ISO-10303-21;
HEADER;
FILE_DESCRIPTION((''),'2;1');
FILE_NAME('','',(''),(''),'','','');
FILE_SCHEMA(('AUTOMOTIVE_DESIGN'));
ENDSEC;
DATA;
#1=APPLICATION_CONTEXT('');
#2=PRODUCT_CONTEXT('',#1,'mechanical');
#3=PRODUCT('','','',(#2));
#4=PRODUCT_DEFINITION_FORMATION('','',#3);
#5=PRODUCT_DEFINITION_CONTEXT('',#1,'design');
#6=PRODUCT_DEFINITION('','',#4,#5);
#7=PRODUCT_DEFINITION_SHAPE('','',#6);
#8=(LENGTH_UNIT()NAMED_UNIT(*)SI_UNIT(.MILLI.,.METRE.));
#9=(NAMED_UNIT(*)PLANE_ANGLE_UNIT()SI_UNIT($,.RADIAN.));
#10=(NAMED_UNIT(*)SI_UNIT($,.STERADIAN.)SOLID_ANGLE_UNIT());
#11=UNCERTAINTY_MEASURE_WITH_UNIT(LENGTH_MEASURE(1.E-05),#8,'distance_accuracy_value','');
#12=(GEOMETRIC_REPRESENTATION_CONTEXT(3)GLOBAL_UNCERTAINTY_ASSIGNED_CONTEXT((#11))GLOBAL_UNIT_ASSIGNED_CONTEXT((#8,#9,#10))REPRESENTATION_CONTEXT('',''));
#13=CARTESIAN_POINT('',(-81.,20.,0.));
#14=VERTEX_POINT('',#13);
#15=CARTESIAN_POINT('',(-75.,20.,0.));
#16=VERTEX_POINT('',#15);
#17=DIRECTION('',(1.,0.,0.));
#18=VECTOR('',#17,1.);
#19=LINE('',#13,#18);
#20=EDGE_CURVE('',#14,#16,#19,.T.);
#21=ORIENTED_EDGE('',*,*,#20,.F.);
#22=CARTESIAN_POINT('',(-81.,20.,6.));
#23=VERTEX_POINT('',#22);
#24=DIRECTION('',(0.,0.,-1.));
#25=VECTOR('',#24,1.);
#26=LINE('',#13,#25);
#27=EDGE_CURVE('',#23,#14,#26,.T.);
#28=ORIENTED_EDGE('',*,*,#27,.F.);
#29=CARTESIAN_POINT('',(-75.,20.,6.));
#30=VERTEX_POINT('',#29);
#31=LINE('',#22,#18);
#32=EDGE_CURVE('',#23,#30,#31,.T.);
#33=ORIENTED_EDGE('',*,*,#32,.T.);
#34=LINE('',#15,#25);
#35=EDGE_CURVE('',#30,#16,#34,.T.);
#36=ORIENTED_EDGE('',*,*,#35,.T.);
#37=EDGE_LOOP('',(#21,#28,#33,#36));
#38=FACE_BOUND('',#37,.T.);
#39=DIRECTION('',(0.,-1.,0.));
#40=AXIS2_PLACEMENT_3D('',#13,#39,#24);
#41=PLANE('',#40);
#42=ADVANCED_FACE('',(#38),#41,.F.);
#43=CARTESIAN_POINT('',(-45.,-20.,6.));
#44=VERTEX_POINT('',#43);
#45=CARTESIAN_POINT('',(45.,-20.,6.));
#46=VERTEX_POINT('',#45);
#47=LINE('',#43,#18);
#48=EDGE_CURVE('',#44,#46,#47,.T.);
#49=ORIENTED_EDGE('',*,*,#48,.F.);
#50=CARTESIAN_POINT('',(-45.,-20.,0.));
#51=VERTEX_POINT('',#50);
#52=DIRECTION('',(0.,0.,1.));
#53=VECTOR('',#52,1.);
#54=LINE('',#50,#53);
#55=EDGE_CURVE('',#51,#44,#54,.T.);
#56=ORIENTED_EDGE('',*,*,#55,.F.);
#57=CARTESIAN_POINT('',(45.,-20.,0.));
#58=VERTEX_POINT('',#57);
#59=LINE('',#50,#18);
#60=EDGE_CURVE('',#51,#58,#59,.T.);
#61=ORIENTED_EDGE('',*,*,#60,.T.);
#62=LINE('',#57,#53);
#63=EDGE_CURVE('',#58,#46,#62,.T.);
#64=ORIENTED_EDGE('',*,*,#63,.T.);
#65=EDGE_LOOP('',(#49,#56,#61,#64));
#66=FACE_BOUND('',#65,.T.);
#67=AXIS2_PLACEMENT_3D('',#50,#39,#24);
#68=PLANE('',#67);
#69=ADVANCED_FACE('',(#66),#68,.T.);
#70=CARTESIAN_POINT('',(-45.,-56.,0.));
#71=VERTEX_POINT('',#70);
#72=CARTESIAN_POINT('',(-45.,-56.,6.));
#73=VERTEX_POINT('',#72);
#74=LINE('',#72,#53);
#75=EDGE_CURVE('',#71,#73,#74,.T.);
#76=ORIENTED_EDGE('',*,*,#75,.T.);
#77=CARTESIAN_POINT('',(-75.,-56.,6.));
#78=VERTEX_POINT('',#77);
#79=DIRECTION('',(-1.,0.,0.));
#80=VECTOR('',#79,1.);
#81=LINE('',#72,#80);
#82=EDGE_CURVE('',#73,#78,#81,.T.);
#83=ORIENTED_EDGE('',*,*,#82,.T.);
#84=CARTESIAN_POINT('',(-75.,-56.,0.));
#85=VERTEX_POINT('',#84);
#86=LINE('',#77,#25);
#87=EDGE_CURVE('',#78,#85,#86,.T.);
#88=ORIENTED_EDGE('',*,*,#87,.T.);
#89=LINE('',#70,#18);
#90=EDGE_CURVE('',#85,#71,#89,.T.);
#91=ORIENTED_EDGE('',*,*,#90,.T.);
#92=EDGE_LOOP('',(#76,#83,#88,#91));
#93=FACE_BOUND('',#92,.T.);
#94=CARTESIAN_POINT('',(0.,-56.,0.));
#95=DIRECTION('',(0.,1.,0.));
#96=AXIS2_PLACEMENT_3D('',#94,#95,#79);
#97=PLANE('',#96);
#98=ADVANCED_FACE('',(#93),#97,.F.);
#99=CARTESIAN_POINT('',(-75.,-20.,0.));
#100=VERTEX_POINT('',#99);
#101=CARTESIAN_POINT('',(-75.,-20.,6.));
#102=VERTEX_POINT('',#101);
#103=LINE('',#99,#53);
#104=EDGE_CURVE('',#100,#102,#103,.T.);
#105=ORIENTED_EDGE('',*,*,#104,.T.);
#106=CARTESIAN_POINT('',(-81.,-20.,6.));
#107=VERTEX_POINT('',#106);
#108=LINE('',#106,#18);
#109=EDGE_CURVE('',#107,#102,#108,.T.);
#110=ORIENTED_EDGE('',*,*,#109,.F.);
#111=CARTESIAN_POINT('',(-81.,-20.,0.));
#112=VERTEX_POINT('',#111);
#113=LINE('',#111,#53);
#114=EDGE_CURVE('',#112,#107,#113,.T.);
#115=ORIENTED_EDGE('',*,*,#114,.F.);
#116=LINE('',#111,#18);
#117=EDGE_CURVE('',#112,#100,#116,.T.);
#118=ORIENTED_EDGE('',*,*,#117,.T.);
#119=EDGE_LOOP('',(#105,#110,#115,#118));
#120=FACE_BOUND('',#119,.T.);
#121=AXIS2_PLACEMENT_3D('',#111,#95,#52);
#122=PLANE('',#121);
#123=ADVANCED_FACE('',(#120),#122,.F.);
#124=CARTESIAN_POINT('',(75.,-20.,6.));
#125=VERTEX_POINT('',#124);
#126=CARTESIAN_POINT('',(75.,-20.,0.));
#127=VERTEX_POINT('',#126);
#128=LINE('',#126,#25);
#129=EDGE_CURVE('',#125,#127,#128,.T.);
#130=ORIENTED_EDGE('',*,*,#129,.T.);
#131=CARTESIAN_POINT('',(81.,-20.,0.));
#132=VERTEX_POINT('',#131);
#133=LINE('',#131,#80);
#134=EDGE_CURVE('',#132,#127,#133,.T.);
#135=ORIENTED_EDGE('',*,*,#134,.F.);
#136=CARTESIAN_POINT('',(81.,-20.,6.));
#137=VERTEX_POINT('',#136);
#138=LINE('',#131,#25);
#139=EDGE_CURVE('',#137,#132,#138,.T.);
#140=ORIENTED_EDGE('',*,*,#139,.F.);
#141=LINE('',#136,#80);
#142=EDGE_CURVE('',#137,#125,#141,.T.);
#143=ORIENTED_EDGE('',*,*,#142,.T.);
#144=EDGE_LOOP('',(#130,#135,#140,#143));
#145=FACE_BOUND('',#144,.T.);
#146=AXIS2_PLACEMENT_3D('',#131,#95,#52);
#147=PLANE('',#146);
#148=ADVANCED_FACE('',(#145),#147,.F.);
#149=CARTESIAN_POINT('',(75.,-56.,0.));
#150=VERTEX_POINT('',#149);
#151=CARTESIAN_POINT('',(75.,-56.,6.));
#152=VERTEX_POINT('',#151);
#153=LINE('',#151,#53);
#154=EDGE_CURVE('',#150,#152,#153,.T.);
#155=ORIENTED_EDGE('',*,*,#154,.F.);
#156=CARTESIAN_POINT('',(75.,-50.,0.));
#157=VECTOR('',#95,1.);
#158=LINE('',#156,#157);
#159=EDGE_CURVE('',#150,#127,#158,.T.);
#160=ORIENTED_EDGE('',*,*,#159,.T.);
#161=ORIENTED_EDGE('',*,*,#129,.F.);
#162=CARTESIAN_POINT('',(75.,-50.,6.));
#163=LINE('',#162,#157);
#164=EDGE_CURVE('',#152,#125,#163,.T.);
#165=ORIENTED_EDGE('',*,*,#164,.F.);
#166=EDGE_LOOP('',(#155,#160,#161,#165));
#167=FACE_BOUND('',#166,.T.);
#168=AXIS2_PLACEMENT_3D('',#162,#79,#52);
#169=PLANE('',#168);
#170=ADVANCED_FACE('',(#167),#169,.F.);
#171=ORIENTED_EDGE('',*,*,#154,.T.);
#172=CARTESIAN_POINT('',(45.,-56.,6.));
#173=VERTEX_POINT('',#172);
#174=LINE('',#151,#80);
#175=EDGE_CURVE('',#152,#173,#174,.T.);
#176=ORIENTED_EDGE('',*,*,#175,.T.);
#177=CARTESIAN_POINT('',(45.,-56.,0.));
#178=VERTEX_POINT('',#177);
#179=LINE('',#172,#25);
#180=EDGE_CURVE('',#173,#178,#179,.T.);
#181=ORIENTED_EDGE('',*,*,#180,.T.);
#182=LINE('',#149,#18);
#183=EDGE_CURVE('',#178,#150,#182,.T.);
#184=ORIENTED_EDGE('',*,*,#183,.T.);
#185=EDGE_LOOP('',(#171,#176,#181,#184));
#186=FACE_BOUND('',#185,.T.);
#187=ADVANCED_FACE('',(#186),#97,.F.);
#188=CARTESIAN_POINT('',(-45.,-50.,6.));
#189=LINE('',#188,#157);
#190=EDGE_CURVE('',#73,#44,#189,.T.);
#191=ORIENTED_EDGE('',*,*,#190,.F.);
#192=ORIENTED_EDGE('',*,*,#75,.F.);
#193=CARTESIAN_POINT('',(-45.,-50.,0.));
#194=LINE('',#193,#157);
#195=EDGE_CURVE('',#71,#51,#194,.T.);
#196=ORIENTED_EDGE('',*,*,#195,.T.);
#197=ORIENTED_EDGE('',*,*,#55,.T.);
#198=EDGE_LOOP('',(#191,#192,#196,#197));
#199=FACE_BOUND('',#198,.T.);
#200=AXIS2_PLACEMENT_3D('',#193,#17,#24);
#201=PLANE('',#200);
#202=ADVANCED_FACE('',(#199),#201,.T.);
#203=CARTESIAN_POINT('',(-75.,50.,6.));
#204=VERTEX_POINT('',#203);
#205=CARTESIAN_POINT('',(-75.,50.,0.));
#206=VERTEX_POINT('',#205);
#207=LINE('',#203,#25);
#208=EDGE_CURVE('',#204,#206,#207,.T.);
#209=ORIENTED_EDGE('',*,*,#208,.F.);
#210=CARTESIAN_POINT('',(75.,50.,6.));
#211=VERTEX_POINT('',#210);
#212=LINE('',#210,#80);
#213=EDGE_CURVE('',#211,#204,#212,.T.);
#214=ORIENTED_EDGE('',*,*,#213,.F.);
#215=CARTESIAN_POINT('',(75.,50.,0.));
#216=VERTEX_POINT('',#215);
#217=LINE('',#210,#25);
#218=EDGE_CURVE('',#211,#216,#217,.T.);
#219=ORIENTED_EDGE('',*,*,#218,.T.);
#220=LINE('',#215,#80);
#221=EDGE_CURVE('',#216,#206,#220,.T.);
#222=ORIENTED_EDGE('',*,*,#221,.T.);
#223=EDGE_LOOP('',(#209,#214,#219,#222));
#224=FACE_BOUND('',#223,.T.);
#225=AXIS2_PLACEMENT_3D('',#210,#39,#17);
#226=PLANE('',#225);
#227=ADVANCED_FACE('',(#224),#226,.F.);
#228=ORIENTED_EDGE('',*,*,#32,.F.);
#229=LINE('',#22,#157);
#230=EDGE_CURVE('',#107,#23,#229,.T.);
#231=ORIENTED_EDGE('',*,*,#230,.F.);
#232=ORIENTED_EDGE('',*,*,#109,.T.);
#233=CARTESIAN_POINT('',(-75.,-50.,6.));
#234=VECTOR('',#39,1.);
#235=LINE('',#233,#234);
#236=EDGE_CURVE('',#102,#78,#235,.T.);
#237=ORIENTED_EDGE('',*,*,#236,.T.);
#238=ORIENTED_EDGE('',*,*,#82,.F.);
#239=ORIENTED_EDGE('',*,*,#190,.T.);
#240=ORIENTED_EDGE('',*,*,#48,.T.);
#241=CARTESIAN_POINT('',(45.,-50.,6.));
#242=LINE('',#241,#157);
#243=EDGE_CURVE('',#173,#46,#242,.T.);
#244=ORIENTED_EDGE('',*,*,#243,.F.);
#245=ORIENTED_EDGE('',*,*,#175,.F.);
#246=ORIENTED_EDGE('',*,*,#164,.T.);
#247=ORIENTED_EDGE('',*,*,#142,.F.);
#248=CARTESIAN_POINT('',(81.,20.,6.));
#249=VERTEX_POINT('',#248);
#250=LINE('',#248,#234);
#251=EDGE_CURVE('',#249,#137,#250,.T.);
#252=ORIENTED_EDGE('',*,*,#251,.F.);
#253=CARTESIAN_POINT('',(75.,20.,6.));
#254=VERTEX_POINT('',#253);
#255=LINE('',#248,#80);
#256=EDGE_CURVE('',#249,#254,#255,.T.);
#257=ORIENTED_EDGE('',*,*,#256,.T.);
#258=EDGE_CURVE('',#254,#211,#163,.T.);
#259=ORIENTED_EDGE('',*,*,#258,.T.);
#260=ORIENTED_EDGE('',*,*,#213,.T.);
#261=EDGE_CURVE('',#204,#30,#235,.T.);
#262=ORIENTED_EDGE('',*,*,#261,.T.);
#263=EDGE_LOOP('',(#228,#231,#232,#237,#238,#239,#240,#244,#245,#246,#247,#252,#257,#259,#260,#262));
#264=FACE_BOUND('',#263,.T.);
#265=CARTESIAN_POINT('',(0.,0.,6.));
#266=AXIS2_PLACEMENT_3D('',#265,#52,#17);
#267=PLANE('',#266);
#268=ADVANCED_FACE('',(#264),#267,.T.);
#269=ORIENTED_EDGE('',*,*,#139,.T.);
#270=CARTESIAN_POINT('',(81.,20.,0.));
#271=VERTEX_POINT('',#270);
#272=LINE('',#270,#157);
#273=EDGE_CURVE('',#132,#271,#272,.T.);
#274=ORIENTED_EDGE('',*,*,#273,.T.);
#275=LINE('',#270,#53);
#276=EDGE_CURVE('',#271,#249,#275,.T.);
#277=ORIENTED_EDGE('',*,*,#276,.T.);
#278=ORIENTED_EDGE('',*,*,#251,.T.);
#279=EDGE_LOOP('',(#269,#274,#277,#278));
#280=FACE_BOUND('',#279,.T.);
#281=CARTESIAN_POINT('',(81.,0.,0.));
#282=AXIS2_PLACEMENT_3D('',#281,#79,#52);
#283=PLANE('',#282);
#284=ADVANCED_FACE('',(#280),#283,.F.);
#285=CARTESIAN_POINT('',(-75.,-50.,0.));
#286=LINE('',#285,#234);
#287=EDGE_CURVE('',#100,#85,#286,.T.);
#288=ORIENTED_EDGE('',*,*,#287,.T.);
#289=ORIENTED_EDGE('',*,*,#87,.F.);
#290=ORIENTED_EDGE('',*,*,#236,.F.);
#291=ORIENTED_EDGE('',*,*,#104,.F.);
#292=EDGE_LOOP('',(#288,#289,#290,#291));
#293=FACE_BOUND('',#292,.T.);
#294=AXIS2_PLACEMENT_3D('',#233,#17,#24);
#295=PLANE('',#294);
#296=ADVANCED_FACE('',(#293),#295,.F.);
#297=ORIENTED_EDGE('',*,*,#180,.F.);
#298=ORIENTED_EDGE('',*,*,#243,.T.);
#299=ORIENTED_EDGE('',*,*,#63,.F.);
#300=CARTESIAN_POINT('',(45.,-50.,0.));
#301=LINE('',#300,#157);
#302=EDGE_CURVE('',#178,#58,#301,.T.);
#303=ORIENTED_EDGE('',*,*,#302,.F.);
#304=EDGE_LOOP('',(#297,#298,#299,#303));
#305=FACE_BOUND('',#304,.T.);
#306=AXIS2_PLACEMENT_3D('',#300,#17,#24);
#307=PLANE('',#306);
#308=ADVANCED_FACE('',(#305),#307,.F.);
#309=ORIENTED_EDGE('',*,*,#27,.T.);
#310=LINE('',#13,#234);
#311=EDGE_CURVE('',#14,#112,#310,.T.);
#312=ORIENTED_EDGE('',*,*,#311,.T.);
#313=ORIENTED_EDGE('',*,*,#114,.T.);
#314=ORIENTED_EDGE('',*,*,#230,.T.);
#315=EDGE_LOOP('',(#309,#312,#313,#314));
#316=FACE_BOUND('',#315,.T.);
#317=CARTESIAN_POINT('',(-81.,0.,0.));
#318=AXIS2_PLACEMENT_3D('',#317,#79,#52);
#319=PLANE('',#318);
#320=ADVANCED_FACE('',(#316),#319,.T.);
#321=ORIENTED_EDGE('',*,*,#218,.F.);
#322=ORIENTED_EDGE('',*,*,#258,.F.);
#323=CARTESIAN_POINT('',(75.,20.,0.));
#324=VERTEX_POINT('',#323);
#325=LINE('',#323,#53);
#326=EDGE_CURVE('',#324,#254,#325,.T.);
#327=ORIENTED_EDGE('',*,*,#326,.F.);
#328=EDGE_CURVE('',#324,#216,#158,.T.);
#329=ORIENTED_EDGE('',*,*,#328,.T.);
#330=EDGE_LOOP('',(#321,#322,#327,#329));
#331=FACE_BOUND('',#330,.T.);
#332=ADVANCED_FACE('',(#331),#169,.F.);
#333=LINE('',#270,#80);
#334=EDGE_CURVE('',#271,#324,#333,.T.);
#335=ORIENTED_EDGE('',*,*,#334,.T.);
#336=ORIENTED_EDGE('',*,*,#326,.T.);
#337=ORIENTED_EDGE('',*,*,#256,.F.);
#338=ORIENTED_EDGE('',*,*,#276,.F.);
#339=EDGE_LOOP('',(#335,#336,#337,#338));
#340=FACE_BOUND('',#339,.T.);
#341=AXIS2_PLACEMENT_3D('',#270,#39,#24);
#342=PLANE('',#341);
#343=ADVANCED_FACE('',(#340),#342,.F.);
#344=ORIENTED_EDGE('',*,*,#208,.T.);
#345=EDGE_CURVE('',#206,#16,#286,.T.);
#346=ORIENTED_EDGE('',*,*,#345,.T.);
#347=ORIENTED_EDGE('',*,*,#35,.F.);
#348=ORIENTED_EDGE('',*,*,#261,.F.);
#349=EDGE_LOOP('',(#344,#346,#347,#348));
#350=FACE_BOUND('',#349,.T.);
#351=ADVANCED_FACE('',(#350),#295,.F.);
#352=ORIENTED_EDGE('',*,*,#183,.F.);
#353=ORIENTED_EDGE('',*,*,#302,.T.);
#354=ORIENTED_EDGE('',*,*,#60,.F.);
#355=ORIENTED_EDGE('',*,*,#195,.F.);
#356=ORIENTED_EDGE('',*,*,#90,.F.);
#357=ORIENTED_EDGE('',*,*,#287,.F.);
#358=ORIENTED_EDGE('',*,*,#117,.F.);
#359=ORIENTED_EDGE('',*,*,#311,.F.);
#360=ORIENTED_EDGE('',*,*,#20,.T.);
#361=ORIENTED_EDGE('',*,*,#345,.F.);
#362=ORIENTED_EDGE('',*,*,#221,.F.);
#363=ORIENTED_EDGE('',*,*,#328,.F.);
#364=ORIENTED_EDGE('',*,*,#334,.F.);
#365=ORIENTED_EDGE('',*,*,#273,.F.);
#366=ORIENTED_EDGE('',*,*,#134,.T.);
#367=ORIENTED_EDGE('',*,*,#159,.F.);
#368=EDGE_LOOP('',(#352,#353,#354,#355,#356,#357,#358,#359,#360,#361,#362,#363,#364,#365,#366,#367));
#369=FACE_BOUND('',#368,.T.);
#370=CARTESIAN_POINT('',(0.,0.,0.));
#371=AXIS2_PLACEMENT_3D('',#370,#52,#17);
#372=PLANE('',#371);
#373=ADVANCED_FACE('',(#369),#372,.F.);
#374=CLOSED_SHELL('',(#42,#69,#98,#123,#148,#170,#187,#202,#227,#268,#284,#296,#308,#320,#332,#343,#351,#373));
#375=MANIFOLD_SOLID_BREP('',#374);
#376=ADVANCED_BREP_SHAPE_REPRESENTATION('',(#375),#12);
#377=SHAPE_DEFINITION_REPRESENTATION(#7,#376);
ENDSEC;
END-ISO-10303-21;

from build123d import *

# Parameters (mm, degrees)
ESBO_O1_W                = 150
ESBO_O1_H                = 100
RESSALTO_EXTRUS_O2_DEPTH = 6
ESBO_O3_W                = 90
ESBO_O3_H                = 30
CORTE_EXTRUS_O1_DEPTH    = 91.338253249
ESBO_O4_W                = 6
ESBO_O4_H                = 40
RESSALTO_EXTRUS_O4_DEPTH = 6
ESBO_O5_W                = 6
ESBO_O5_H                = 40
RESSALTO_EXTRUS_O5_DEPTH = 6
ESBO_O7_W                = 30
ESBO_O7_H                = 6
RESSALTO_EXTRUS_O7_DEPTH = 6
ESBO_O8_W                = 30
ESBO_O8_H                = 6
RESSALTO_EXTRUS_O8_DEPTH = 6


with BuildPart() as part:
    # Esboço1 → Ressalto-extrusão2 (new body)
    with BuildSketch(Plane.XY):
        Rectangle(ESBO_O1_W, ESBO_O1_H)
    extrude(amount=RESSALTO_EXTRUS_O2_DEPTH)

    # Esboço3 → Corte-extrusão1 (cut, through all)
    with BuildSketch(Plane.XY.offset(6)):
        with Locations((0, -35)):
            Rectangle(ESBO_O3_W, ESBO_O3_H)
    extrude(amount=-CORTE_EXTRUS_O1_DEPTH, mode=Mode.SUBTRACT)

    # Esboço4 → Ressalto-extrusão4 (add)
    with BuildSketch(Plane(origin=(75, 0, 0), x_dir=(0, 0, -1), z_dir=(1, 0, 0))):
        with Locations((-3, 0)):
            Rectangle(ESBO_O4_W, ESBO_O4_H)
    extrude(amount=RESSALTO_EXTRUS_O4_DEPTH)

    # Esboço5 → Ressalto-extrusão5 (add)
    with BuildSketch(Plane.ZY.offset(75)):
        with Locations((3, 0)):
            Rectangle(ESBO_O5_W, ESBO_O5_H)
    extrude(amount=RESSALTO_EXTRUS_O5_DEPTH)

    # Esboço7 → Ressalto-extrusão7 (add)
    with BuildSketch(Plane.XZ.offset(50)):
        with Locations((60, 3)):
            Rectangle(ESBO_O7_W, ESBO_O7_H)
    extrude(amount=RESSALTO_EXTRUS_O7_DEPTH)

    # Esboço8 → Ressalto-extrusão8 (add)
    with BuildSketch(Plane.XZ.offset(50)):
        with Locations((-60, 3)):
            Rectangle(ESBO_O8_W, ESBO_O8_H)
    extrude(amount=RESSALTO_EXTRUS_O8_DEPTH)


solid = part.part
